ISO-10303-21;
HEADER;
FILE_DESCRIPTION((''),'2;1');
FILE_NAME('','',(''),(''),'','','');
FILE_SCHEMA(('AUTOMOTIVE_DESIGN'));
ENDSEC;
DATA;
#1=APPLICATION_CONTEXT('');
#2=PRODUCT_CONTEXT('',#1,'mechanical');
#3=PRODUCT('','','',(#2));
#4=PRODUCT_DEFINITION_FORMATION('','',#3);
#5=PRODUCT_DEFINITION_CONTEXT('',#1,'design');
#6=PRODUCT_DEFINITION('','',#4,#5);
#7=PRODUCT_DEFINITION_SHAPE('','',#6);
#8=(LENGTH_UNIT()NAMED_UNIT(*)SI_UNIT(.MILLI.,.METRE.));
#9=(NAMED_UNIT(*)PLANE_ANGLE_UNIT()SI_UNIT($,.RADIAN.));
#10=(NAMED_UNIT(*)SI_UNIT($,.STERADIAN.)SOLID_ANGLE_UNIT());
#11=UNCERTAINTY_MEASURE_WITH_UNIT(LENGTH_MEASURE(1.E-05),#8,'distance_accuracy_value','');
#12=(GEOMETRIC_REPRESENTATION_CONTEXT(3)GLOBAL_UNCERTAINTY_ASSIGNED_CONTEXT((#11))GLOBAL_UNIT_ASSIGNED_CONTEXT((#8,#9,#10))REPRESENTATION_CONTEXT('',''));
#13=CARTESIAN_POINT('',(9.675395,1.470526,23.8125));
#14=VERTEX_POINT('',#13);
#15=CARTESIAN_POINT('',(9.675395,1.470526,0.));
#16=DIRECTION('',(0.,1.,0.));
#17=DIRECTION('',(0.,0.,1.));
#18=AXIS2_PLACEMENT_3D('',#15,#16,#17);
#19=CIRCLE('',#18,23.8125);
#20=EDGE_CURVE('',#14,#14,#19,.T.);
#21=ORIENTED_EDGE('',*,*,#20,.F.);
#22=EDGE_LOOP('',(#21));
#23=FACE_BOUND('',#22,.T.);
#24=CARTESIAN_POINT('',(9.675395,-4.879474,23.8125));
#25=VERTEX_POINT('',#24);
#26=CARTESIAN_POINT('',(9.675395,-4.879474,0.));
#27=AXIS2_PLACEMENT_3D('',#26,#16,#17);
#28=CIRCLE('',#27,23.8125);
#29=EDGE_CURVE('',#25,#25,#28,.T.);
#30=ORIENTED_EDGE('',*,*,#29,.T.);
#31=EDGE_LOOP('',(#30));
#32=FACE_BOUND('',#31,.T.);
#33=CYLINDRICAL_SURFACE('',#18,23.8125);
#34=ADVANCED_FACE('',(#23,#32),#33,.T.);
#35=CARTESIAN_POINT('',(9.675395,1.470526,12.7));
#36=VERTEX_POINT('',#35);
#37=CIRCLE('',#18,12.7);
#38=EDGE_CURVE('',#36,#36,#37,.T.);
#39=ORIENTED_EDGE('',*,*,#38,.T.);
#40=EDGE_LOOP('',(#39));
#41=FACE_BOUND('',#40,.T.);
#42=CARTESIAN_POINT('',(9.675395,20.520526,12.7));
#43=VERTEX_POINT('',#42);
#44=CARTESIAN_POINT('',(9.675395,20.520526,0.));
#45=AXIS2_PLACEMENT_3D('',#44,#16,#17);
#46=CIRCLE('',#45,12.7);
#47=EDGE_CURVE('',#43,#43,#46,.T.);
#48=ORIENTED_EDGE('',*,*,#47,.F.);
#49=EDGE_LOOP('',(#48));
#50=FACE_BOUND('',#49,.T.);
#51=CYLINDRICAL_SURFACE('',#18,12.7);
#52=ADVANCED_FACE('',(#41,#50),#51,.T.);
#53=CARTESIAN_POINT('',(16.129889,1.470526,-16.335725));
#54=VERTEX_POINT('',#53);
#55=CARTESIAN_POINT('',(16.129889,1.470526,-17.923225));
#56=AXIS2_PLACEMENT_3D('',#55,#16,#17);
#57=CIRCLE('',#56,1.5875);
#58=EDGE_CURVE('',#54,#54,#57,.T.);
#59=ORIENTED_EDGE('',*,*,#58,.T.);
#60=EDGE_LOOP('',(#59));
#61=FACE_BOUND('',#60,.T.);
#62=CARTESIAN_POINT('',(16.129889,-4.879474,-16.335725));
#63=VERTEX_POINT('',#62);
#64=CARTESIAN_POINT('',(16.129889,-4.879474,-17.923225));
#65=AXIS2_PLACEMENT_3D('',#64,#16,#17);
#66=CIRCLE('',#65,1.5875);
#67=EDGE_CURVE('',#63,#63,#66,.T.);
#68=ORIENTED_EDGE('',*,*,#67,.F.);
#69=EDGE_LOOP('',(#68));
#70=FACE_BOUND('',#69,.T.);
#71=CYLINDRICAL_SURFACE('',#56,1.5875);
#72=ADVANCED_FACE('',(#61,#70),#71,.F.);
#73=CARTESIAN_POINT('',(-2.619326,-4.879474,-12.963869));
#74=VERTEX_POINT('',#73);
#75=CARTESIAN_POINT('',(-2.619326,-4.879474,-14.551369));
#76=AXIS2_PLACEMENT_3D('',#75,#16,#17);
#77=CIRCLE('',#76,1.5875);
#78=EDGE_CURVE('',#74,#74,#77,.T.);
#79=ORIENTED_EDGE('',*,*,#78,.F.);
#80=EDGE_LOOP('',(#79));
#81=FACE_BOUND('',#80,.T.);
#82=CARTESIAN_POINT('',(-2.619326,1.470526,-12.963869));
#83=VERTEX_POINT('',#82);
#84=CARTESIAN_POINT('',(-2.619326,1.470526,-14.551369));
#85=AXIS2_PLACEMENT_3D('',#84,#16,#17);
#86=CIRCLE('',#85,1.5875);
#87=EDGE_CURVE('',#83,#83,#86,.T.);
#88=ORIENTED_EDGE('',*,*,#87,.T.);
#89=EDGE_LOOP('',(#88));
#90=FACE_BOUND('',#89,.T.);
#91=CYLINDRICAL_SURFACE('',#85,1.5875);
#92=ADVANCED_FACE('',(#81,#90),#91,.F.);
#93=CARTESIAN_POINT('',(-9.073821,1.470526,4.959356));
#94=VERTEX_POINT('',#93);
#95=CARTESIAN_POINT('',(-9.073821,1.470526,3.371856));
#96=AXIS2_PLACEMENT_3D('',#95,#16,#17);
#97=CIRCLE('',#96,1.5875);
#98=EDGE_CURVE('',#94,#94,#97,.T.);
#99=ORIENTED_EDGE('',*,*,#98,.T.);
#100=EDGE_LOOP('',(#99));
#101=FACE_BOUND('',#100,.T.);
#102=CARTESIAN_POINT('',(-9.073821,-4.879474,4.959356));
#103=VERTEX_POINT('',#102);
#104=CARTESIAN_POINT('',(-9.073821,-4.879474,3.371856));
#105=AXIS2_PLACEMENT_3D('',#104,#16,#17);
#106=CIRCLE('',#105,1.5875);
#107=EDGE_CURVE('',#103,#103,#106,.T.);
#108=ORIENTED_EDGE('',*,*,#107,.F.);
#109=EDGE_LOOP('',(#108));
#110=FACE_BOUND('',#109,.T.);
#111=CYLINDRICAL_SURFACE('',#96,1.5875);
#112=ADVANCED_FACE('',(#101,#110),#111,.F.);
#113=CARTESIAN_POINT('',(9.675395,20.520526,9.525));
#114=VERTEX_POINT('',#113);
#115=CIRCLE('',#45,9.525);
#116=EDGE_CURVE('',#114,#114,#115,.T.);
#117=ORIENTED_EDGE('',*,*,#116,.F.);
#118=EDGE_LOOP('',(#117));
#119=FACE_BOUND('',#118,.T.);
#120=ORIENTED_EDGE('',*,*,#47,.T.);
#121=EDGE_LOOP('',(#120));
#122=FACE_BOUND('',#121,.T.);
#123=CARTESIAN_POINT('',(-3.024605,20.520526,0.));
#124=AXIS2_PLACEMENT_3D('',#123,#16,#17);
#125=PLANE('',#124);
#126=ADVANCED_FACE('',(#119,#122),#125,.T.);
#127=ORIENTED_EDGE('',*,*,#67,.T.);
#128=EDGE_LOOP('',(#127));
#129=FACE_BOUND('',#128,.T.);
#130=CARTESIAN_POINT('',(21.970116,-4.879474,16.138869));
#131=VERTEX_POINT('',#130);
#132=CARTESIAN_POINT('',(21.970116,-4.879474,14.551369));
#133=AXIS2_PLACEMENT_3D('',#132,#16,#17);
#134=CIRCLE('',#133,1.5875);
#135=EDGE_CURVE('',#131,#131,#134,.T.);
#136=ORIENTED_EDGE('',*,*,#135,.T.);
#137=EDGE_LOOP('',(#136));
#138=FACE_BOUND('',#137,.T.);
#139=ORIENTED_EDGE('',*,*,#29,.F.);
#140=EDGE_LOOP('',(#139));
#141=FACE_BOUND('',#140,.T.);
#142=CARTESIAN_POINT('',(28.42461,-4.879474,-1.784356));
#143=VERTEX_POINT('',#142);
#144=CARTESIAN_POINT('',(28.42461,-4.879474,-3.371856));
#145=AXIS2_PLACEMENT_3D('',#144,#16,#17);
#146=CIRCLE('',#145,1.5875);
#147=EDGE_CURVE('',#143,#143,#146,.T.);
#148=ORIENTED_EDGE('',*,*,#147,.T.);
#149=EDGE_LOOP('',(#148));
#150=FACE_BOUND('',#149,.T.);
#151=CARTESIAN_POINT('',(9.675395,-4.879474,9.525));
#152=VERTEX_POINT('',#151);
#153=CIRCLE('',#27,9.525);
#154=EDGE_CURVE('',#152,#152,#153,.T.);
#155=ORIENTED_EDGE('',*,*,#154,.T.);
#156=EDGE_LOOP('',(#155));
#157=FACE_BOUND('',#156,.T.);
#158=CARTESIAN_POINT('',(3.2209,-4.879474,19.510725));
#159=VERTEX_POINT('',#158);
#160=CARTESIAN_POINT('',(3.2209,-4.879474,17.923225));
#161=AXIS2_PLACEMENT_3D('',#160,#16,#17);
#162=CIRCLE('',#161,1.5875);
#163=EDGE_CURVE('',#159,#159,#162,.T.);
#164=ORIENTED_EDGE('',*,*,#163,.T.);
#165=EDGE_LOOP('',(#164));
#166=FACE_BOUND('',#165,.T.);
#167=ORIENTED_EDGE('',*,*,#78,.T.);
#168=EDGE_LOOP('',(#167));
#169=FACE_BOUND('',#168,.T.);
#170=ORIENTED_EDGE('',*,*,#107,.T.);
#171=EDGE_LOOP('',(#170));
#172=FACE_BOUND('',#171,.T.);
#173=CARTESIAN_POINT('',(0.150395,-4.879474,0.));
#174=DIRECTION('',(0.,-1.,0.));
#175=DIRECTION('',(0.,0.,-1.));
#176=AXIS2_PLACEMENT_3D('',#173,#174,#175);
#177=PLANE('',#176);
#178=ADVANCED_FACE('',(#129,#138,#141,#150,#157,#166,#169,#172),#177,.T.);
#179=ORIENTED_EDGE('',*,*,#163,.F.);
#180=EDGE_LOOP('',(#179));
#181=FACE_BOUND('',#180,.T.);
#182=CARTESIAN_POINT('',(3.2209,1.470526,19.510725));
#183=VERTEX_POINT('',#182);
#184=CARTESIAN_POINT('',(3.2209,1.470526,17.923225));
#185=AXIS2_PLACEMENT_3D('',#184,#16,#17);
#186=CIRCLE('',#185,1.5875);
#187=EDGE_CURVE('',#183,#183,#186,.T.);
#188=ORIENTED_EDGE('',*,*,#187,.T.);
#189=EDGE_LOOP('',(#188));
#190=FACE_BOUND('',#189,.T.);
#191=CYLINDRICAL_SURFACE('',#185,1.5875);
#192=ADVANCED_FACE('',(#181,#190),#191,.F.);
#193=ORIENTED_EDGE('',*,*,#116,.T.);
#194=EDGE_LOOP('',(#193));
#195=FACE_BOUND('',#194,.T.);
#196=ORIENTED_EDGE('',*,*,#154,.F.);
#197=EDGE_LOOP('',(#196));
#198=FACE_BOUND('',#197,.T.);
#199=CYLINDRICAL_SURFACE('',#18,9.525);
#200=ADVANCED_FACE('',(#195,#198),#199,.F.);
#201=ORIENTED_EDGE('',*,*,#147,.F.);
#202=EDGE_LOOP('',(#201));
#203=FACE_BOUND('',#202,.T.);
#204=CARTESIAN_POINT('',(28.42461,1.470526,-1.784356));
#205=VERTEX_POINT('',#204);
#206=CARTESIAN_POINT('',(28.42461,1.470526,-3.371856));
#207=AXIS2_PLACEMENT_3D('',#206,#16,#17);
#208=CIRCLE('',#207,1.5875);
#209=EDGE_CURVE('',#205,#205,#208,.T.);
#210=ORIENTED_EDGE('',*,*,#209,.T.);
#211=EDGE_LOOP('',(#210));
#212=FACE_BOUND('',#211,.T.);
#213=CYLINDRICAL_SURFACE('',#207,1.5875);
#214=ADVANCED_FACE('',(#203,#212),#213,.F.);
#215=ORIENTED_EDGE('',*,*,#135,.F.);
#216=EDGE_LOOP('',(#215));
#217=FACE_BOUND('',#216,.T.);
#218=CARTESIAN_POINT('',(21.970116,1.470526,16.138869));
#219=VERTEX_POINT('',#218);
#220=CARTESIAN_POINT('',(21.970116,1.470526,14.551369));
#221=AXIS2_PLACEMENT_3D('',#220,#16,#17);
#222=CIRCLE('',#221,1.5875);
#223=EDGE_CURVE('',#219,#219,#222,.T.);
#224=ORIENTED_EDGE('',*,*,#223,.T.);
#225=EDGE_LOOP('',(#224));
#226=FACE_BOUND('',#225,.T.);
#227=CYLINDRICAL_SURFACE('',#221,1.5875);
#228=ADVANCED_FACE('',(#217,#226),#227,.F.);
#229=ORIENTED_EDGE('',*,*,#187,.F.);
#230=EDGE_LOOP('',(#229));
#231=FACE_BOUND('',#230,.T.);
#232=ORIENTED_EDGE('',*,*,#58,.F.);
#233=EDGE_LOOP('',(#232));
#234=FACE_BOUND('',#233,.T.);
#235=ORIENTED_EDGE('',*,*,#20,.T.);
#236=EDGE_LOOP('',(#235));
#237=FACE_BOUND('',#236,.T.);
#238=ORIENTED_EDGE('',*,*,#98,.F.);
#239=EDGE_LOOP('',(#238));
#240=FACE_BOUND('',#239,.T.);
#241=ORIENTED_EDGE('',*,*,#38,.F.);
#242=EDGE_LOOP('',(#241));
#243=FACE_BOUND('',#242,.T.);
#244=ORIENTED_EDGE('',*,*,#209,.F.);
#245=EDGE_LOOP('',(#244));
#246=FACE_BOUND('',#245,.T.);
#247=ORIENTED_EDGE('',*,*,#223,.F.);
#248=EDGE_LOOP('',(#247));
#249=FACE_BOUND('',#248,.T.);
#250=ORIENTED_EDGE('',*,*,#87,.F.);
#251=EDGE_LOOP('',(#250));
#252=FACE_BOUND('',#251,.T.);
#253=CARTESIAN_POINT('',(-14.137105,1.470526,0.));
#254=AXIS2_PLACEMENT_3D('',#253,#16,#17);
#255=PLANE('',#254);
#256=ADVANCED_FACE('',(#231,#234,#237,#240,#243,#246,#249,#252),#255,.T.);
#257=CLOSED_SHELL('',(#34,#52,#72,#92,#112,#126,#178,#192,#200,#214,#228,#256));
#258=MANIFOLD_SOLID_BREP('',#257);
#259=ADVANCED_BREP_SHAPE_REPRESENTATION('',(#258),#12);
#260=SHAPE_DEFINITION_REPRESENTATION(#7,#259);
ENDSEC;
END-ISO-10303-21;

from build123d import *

# Parameters (mm, degrees)
F_1_8_0_125_DIAMETER_HOLE1_D = 3.175


with BuildPart() as part:
    # Sketch1 → Revolve1 (revolve)
    with BuildSketch(Plane.XY):
        Polygon((0.150394737, -4.879473684), (-14.137105263, -4.879473684), (-14.137105263, 1.470526316), (-3.024605263, 1.470526316), (-3.024605263, 20.520526316), (0.150394737, 20.520526316), align=None)
    revolve(axis=Axis((9.675394737, 1.470526316, 0), (0, -1, 0)))

    # 1/8 (0.125) Diameter Hole1 (through all)
    with Locations(Plane(origin=(0, 1.470526316, 0), x_dir=(1, 0, 0), z_dir=(0, 1, 0))):
        with Locations((3.220899988, -17.923225088), (-9.073820881, -3.371856123), (-2.619326132, 14.551368965), (16.129889486, 17.923225088), (28.424610355, 3.371856123), (21.970115606, -14.551368965), (9.675394737, 0)):
            Hole(F_1_8_0_125_DIAMETER_HOLE1_D / 2)


solid = part.part
